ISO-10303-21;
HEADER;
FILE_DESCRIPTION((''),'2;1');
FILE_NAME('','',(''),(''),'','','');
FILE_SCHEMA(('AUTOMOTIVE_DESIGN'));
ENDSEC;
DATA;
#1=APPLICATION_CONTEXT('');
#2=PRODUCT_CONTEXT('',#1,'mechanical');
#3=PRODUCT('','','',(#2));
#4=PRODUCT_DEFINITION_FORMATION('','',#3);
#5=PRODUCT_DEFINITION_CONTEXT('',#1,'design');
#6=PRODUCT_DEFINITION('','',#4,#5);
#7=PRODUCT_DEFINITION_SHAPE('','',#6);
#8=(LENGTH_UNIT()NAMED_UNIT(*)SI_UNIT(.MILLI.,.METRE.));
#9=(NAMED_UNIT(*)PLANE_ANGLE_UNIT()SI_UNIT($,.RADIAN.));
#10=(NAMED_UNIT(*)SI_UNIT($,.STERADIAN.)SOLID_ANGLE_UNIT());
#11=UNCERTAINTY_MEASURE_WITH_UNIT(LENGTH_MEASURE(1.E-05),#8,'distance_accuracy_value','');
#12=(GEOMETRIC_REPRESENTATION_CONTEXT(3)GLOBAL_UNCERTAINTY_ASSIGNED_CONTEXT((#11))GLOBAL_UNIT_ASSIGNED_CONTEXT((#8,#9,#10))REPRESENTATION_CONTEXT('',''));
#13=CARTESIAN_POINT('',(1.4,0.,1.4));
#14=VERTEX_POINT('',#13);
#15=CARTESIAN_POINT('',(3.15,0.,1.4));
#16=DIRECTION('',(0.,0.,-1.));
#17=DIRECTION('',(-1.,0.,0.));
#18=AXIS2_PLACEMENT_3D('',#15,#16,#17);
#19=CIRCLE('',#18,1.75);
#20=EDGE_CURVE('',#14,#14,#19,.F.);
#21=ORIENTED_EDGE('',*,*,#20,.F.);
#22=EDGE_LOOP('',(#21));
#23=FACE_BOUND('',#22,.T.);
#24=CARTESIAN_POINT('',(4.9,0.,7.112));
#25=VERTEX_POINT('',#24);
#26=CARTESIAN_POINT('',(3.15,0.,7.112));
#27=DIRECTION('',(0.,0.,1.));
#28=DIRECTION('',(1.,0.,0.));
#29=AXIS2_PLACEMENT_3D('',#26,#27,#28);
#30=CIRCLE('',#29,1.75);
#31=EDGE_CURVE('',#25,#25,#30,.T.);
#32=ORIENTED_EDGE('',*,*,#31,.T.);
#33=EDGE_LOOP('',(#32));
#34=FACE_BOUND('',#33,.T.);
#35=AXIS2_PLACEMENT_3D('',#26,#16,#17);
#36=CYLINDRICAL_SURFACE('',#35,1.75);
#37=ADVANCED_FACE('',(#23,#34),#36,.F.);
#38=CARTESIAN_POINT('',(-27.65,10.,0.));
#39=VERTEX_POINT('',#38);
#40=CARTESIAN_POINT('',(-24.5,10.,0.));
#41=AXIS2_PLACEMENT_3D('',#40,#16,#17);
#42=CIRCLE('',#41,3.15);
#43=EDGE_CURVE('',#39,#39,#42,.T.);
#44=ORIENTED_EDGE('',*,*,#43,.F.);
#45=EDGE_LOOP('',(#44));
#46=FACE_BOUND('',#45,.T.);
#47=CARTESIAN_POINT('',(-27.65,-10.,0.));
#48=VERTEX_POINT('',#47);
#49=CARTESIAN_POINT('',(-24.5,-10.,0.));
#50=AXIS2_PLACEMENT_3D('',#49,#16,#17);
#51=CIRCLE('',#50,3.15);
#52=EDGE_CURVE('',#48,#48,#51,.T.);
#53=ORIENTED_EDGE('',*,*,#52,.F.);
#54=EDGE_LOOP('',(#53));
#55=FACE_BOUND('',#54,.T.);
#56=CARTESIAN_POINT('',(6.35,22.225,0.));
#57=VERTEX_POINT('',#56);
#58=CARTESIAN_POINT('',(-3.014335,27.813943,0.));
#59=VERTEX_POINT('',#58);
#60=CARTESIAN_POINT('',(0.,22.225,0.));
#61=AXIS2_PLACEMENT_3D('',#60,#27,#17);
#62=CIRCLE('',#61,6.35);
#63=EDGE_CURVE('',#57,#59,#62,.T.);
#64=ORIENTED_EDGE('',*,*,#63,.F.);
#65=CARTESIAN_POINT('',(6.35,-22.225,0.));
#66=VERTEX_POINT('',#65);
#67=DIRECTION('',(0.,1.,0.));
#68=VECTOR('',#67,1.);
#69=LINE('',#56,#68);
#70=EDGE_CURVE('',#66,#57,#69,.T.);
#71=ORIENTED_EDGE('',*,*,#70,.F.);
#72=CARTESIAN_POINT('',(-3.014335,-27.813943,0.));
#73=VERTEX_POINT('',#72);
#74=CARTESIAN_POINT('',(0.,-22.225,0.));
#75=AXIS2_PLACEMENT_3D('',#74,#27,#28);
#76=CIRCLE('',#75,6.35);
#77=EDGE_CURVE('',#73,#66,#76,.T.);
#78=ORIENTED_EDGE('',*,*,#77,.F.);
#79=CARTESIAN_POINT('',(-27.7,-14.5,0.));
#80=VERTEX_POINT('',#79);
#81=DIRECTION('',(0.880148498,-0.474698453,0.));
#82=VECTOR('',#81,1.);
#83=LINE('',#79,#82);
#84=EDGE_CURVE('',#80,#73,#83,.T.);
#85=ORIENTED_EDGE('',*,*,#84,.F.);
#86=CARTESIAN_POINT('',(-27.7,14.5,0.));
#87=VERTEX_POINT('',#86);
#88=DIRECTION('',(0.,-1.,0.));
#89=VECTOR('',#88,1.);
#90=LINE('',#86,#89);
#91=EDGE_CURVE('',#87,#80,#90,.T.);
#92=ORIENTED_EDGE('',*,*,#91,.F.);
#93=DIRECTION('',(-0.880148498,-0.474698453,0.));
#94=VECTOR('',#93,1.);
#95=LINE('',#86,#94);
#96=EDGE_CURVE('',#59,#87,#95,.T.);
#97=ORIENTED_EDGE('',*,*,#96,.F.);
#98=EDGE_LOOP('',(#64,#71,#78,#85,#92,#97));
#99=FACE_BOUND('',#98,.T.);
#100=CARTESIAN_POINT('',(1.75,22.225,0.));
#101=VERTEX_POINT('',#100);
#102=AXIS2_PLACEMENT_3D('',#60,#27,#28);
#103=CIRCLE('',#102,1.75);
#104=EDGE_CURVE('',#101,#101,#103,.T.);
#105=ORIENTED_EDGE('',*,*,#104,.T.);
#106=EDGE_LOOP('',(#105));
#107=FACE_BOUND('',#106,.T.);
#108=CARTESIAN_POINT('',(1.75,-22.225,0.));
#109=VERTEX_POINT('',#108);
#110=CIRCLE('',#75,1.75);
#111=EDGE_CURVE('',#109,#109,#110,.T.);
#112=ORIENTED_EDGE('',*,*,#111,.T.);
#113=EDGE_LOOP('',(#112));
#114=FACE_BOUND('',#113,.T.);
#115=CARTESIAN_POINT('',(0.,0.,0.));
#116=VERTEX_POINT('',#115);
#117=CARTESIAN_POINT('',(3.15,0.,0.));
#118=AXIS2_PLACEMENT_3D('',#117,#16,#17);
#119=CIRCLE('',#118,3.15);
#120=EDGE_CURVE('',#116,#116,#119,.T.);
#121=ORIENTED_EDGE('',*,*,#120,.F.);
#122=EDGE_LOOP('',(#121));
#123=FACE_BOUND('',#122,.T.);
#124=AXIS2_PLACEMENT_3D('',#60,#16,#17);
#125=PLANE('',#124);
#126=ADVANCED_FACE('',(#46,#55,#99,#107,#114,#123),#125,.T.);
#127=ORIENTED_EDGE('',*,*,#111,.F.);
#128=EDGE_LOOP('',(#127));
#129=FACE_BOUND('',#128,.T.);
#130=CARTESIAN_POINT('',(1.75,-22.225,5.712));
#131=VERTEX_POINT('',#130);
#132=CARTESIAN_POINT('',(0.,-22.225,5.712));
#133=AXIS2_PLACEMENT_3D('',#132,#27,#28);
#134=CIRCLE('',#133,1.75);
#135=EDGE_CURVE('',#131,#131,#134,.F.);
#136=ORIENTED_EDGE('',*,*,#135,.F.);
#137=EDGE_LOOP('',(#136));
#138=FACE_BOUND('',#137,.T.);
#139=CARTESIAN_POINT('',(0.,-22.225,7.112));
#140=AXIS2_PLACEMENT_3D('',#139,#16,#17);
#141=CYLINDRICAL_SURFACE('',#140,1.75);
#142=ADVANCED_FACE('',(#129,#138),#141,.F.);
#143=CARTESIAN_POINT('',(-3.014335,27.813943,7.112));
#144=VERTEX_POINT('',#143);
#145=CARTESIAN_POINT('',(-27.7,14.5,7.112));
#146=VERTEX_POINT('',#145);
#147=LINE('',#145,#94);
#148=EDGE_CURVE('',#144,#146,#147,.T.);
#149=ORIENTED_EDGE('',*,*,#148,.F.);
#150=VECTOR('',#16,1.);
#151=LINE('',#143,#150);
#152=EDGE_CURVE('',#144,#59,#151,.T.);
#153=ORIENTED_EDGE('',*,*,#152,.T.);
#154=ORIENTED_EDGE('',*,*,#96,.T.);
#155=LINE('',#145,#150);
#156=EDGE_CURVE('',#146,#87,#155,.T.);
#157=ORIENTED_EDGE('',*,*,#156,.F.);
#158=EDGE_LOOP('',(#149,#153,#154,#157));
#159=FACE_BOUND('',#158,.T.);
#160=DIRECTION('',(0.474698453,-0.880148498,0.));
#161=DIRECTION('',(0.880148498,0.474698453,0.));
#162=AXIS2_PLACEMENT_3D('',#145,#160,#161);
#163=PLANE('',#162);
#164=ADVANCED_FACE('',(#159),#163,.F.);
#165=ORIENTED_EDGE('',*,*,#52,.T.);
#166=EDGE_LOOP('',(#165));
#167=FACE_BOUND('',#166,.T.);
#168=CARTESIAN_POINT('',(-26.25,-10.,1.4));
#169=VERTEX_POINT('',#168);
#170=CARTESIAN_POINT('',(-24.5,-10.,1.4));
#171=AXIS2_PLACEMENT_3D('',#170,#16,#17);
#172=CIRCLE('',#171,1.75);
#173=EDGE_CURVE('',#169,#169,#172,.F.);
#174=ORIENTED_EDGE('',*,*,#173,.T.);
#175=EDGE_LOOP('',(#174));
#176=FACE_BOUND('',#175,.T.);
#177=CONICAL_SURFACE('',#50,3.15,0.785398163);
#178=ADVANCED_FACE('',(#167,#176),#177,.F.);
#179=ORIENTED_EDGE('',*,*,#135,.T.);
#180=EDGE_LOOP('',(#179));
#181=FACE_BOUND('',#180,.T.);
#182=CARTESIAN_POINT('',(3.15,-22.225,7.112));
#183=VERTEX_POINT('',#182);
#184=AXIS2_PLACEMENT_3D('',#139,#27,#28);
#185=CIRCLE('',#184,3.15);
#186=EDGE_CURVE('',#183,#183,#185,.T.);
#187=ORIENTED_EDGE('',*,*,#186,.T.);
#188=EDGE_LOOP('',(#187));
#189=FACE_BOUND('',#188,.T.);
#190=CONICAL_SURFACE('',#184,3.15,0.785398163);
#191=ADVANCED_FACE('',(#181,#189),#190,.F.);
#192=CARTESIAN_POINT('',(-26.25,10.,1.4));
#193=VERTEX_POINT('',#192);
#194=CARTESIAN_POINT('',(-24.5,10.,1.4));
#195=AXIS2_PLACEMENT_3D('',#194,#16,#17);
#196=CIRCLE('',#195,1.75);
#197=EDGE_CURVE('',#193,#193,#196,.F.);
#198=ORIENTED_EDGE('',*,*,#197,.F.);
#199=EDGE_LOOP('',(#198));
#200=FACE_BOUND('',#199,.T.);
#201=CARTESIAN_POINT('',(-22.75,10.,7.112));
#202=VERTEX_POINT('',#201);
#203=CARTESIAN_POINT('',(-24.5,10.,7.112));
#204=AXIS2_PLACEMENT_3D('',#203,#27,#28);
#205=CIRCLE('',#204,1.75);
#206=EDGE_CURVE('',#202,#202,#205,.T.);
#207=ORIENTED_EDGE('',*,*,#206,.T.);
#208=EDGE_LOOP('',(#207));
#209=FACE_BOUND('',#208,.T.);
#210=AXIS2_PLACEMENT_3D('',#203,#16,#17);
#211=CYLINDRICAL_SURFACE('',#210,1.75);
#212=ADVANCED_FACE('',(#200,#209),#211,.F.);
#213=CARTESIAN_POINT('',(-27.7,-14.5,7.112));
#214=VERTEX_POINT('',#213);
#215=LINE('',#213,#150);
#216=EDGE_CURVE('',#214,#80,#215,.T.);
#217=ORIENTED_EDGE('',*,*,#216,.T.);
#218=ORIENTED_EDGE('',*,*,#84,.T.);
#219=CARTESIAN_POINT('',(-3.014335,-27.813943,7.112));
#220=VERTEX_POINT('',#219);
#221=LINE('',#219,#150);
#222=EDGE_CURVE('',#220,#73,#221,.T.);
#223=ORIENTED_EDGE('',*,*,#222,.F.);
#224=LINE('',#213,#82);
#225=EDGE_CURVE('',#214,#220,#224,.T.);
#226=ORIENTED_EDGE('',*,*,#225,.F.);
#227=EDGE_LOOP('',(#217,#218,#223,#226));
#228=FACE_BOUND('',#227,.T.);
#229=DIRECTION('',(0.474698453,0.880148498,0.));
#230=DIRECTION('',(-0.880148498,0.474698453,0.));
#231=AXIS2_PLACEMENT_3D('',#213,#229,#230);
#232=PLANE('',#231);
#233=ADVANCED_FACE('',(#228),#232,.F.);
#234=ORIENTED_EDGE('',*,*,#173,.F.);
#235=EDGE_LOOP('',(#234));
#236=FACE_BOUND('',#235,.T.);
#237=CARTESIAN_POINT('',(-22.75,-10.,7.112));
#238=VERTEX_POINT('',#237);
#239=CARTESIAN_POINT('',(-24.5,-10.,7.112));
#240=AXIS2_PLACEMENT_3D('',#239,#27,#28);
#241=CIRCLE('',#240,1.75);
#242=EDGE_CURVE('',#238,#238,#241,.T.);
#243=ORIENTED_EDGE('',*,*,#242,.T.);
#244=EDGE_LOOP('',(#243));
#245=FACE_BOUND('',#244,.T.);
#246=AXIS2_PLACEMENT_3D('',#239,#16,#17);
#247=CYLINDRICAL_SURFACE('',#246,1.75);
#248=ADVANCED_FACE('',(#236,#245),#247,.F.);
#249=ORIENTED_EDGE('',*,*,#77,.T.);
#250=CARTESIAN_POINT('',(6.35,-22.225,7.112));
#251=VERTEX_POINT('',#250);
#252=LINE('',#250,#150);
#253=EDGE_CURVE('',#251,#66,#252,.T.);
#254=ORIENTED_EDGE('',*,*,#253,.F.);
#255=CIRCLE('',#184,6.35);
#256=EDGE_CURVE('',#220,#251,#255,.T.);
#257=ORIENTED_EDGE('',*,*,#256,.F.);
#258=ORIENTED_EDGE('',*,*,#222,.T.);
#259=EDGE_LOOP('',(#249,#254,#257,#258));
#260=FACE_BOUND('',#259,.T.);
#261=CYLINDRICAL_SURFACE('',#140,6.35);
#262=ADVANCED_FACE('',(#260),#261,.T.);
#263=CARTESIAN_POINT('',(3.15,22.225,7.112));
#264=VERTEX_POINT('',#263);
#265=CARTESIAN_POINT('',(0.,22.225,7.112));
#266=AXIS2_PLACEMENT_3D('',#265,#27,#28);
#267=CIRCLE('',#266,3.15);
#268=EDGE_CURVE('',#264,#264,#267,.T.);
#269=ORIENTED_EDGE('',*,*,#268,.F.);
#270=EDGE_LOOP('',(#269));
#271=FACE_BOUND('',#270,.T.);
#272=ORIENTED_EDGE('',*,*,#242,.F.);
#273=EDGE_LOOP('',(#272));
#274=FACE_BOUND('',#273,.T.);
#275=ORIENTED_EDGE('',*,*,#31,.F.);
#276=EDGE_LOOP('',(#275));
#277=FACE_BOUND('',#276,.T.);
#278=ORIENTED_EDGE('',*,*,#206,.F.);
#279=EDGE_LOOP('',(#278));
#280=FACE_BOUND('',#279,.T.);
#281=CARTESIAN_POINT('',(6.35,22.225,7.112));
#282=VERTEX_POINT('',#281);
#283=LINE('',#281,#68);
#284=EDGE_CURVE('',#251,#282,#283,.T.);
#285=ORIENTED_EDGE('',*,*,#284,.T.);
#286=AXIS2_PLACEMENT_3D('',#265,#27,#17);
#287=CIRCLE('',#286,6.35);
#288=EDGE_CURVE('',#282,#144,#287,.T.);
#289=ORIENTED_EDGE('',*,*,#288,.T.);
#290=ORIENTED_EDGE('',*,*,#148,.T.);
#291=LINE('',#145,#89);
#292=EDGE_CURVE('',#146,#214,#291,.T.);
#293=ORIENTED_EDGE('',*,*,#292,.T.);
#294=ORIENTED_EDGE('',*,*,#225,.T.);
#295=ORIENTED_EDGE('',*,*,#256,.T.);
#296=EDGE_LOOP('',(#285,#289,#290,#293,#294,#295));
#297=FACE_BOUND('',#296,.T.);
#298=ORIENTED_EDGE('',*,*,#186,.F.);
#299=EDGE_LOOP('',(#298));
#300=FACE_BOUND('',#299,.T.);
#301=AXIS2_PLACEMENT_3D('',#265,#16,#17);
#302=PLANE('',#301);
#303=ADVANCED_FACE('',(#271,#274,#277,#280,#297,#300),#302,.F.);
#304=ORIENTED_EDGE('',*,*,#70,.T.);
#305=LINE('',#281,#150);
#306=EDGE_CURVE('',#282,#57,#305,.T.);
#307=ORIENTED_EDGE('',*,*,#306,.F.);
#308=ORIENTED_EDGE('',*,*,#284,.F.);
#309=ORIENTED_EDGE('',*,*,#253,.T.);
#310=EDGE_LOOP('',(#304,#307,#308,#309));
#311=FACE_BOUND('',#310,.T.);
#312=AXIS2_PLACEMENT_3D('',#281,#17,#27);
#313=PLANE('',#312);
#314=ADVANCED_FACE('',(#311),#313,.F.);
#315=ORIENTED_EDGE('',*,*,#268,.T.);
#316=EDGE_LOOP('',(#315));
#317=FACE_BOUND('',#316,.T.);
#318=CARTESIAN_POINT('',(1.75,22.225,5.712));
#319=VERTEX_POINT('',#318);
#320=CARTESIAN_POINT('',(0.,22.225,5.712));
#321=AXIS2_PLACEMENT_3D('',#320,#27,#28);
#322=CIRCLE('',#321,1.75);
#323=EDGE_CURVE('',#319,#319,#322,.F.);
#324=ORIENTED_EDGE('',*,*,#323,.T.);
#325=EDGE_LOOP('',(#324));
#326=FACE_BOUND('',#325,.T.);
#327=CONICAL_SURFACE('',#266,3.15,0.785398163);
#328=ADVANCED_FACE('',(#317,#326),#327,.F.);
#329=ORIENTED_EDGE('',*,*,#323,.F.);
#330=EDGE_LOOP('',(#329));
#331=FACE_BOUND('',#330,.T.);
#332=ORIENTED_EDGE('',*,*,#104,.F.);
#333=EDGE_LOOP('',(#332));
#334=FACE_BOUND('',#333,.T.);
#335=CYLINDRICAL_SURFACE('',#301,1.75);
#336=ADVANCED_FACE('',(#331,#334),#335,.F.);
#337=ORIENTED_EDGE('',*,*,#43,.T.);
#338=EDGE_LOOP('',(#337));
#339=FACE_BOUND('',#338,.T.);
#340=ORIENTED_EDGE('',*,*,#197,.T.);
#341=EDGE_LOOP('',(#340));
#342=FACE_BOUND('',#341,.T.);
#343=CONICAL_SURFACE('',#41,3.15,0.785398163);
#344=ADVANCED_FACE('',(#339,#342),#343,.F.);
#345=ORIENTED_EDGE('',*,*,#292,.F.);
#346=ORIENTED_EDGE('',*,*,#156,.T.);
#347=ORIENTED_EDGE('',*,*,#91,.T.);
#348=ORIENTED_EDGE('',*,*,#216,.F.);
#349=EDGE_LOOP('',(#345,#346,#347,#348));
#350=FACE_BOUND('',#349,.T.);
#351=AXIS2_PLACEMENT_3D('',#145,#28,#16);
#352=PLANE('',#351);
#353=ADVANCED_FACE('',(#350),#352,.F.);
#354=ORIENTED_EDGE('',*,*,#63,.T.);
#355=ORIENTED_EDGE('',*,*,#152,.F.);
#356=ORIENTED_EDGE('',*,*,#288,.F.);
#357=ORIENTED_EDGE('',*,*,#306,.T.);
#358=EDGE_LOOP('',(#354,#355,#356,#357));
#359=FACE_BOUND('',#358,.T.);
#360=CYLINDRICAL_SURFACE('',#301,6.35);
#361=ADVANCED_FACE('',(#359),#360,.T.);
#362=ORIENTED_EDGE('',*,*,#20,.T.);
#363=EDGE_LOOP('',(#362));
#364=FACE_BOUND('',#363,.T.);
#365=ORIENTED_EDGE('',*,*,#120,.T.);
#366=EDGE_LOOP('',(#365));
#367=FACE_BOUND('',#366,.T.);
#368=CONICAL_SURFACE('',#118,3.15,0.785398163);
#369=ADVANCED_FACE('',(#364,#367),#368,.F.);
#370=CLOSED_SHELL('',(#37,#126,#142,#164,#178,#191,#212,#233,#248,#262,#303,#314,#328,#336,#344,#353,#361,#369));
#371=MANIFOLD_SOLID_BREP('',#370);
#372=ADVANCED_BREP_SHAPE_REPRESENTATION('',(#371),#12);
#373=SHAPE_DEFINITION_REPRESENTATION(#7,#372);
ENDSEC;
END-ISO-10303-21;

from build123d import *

# Parameters (mm, degrees)
SKETCH1_R                                       = 1.75
BOSS_EXTRUDE1_DEPTH                             = 7.112
CSK_FOR_M3_FLAT_HEAD_MACHINE_SCREW1_D           = 3.2
CSK_FOR_M3_FLAT_HEAD_MACHINE_SCREW1_CSINK_D     = 6.3
CSK_FOR_M3_FLAT_HEAD_MACHINE_SCREW1_CSINK_ANGLE = 90
CSK_FOR_M3_FLAT_HEAD_MACHINE_SCREW2_D           = 3.2
CSK_FOR_M3_FLAT_HEAD_MACHINE_SCREW2_CSINK_D     = 6.3
CSK_FOR_M3_FLAT_HEAD_MACHINE_SCREW2_CSINK_ANGLE = 90
CSK_FOR_M3_FLAT_HEAD_MACHINE_SCREW3_D           = 3.2
CSK_FOR_M3_FLAT_HEAD_MACHINE_SCREW3_CSINK_D     = 6.3
CSK_FOR_M3_FLAT_HEAD_MACHINE_SCREW3_CSINK_ANGLE = 90


with BuildPart() as part:
    # Sketch1 → Boss-Extrude1 (new body)
    with BuildSketch(Plane.XY):
        with BuildLine():
            Line((-27.7, 14.5), (-27.7, -14.5))
            Line((-27.7, -14.5), (-3.014335177, -27.813942963))
            ThreePointArc((-3.014335177, -27.813942963), (3.254341072, -27.677684127), (6.35, -22.225))
            Line((6.35, -22.225), (6.35, 22.225))
            ThreePointArc((6.35, 22.225), (3.254341072, 27.677684127), (-3.014335177, 27.813942963))
            Line((-3.014335177, 27.813942963), (-27.7, 14.5))
        make_face()
        with Locations((0, 22.225)):
            Circle(SKETCH1_R, mode=Mode.SUBTRACT)
        with Locations((0, -22.225)):
            Circle(SKETCH1_R, mode=Mode.SUBTRACT)
        with Locations((-24.5, 10)):
            Circle(SKETCH1_R, mode=Mode.SUBTRACT)
        with Locations((-24.5, -10)):
            Circle(SKETCH1_R, mode=Mode.SUBTRACT)
        with Locations((3.15, 0)):
            Circle(SKETCH1_R, mode=Mode.SUBTRACT)
    extrude(amount=BOSS_EXTRUDE1_DEPTH)

    # CSK for M3 Flat Head Machine Screw1 (through all)
    with Locations(Plane(origin=(-24.5, 10, 0), x_dir=(-1, 0, 0), z_dir=(0, 0, -1))):
        with Locations((0, 0), (0, -20)):
            CounterSinkHole(CSK_FOR_M3_FLAT_HEAD_MACHINE_SCREW1_D / 2, CSK_FOR_M3_FLAT_HEAD_MACHINE_SCREW1_CSINK_D / 2, counter_sink_angle=CSK_FOR_M3_FLAT_HEAD_MACHINE_SCREW1_CSINK_ANGLE)

    # CSK for M3 Flat Head Machine Screw2 (through all)
    with Locations(Plane(origin=(0, 0, 0), x_dir=(-1, 0, 0), z_dir=(0, 0, -1))):
        with Locations((-3.15, 0)):
            CounterSinkHole(CSK_FOR_M3_FLAT_HEAD_MACHINE_SCREW2_D / 2, CSK_FOR_M3_FLAT_HEAD_MACHINE_SCREW2_CSINK_D / 2, counter_sink_angle=CSK_FOR_M3_FLAT_HEAD_MACHINE_SCREW2_CSINK_ANGLE)

    # CSK for M3 Flat Head Machine Screw3 (through all)
    with Locations(Plane.XY.offset(7.112)):
        with Locations((0, 22.225), (0, -22.225)):
            CounterSinkHole(CSK_FOR_M3_FLAT_HEAD_MACHINE_SCREW3_D / 2, CSK_FOR_M3_FLAT_HEAD_MACHINE_SCREW3_CSINK_D / 2, counter_sink_angle=CSK_FOR_M3_FLAT_HEAD_MACHINE_SCREW3_CSINK_ANGLE)


solid = part.part
